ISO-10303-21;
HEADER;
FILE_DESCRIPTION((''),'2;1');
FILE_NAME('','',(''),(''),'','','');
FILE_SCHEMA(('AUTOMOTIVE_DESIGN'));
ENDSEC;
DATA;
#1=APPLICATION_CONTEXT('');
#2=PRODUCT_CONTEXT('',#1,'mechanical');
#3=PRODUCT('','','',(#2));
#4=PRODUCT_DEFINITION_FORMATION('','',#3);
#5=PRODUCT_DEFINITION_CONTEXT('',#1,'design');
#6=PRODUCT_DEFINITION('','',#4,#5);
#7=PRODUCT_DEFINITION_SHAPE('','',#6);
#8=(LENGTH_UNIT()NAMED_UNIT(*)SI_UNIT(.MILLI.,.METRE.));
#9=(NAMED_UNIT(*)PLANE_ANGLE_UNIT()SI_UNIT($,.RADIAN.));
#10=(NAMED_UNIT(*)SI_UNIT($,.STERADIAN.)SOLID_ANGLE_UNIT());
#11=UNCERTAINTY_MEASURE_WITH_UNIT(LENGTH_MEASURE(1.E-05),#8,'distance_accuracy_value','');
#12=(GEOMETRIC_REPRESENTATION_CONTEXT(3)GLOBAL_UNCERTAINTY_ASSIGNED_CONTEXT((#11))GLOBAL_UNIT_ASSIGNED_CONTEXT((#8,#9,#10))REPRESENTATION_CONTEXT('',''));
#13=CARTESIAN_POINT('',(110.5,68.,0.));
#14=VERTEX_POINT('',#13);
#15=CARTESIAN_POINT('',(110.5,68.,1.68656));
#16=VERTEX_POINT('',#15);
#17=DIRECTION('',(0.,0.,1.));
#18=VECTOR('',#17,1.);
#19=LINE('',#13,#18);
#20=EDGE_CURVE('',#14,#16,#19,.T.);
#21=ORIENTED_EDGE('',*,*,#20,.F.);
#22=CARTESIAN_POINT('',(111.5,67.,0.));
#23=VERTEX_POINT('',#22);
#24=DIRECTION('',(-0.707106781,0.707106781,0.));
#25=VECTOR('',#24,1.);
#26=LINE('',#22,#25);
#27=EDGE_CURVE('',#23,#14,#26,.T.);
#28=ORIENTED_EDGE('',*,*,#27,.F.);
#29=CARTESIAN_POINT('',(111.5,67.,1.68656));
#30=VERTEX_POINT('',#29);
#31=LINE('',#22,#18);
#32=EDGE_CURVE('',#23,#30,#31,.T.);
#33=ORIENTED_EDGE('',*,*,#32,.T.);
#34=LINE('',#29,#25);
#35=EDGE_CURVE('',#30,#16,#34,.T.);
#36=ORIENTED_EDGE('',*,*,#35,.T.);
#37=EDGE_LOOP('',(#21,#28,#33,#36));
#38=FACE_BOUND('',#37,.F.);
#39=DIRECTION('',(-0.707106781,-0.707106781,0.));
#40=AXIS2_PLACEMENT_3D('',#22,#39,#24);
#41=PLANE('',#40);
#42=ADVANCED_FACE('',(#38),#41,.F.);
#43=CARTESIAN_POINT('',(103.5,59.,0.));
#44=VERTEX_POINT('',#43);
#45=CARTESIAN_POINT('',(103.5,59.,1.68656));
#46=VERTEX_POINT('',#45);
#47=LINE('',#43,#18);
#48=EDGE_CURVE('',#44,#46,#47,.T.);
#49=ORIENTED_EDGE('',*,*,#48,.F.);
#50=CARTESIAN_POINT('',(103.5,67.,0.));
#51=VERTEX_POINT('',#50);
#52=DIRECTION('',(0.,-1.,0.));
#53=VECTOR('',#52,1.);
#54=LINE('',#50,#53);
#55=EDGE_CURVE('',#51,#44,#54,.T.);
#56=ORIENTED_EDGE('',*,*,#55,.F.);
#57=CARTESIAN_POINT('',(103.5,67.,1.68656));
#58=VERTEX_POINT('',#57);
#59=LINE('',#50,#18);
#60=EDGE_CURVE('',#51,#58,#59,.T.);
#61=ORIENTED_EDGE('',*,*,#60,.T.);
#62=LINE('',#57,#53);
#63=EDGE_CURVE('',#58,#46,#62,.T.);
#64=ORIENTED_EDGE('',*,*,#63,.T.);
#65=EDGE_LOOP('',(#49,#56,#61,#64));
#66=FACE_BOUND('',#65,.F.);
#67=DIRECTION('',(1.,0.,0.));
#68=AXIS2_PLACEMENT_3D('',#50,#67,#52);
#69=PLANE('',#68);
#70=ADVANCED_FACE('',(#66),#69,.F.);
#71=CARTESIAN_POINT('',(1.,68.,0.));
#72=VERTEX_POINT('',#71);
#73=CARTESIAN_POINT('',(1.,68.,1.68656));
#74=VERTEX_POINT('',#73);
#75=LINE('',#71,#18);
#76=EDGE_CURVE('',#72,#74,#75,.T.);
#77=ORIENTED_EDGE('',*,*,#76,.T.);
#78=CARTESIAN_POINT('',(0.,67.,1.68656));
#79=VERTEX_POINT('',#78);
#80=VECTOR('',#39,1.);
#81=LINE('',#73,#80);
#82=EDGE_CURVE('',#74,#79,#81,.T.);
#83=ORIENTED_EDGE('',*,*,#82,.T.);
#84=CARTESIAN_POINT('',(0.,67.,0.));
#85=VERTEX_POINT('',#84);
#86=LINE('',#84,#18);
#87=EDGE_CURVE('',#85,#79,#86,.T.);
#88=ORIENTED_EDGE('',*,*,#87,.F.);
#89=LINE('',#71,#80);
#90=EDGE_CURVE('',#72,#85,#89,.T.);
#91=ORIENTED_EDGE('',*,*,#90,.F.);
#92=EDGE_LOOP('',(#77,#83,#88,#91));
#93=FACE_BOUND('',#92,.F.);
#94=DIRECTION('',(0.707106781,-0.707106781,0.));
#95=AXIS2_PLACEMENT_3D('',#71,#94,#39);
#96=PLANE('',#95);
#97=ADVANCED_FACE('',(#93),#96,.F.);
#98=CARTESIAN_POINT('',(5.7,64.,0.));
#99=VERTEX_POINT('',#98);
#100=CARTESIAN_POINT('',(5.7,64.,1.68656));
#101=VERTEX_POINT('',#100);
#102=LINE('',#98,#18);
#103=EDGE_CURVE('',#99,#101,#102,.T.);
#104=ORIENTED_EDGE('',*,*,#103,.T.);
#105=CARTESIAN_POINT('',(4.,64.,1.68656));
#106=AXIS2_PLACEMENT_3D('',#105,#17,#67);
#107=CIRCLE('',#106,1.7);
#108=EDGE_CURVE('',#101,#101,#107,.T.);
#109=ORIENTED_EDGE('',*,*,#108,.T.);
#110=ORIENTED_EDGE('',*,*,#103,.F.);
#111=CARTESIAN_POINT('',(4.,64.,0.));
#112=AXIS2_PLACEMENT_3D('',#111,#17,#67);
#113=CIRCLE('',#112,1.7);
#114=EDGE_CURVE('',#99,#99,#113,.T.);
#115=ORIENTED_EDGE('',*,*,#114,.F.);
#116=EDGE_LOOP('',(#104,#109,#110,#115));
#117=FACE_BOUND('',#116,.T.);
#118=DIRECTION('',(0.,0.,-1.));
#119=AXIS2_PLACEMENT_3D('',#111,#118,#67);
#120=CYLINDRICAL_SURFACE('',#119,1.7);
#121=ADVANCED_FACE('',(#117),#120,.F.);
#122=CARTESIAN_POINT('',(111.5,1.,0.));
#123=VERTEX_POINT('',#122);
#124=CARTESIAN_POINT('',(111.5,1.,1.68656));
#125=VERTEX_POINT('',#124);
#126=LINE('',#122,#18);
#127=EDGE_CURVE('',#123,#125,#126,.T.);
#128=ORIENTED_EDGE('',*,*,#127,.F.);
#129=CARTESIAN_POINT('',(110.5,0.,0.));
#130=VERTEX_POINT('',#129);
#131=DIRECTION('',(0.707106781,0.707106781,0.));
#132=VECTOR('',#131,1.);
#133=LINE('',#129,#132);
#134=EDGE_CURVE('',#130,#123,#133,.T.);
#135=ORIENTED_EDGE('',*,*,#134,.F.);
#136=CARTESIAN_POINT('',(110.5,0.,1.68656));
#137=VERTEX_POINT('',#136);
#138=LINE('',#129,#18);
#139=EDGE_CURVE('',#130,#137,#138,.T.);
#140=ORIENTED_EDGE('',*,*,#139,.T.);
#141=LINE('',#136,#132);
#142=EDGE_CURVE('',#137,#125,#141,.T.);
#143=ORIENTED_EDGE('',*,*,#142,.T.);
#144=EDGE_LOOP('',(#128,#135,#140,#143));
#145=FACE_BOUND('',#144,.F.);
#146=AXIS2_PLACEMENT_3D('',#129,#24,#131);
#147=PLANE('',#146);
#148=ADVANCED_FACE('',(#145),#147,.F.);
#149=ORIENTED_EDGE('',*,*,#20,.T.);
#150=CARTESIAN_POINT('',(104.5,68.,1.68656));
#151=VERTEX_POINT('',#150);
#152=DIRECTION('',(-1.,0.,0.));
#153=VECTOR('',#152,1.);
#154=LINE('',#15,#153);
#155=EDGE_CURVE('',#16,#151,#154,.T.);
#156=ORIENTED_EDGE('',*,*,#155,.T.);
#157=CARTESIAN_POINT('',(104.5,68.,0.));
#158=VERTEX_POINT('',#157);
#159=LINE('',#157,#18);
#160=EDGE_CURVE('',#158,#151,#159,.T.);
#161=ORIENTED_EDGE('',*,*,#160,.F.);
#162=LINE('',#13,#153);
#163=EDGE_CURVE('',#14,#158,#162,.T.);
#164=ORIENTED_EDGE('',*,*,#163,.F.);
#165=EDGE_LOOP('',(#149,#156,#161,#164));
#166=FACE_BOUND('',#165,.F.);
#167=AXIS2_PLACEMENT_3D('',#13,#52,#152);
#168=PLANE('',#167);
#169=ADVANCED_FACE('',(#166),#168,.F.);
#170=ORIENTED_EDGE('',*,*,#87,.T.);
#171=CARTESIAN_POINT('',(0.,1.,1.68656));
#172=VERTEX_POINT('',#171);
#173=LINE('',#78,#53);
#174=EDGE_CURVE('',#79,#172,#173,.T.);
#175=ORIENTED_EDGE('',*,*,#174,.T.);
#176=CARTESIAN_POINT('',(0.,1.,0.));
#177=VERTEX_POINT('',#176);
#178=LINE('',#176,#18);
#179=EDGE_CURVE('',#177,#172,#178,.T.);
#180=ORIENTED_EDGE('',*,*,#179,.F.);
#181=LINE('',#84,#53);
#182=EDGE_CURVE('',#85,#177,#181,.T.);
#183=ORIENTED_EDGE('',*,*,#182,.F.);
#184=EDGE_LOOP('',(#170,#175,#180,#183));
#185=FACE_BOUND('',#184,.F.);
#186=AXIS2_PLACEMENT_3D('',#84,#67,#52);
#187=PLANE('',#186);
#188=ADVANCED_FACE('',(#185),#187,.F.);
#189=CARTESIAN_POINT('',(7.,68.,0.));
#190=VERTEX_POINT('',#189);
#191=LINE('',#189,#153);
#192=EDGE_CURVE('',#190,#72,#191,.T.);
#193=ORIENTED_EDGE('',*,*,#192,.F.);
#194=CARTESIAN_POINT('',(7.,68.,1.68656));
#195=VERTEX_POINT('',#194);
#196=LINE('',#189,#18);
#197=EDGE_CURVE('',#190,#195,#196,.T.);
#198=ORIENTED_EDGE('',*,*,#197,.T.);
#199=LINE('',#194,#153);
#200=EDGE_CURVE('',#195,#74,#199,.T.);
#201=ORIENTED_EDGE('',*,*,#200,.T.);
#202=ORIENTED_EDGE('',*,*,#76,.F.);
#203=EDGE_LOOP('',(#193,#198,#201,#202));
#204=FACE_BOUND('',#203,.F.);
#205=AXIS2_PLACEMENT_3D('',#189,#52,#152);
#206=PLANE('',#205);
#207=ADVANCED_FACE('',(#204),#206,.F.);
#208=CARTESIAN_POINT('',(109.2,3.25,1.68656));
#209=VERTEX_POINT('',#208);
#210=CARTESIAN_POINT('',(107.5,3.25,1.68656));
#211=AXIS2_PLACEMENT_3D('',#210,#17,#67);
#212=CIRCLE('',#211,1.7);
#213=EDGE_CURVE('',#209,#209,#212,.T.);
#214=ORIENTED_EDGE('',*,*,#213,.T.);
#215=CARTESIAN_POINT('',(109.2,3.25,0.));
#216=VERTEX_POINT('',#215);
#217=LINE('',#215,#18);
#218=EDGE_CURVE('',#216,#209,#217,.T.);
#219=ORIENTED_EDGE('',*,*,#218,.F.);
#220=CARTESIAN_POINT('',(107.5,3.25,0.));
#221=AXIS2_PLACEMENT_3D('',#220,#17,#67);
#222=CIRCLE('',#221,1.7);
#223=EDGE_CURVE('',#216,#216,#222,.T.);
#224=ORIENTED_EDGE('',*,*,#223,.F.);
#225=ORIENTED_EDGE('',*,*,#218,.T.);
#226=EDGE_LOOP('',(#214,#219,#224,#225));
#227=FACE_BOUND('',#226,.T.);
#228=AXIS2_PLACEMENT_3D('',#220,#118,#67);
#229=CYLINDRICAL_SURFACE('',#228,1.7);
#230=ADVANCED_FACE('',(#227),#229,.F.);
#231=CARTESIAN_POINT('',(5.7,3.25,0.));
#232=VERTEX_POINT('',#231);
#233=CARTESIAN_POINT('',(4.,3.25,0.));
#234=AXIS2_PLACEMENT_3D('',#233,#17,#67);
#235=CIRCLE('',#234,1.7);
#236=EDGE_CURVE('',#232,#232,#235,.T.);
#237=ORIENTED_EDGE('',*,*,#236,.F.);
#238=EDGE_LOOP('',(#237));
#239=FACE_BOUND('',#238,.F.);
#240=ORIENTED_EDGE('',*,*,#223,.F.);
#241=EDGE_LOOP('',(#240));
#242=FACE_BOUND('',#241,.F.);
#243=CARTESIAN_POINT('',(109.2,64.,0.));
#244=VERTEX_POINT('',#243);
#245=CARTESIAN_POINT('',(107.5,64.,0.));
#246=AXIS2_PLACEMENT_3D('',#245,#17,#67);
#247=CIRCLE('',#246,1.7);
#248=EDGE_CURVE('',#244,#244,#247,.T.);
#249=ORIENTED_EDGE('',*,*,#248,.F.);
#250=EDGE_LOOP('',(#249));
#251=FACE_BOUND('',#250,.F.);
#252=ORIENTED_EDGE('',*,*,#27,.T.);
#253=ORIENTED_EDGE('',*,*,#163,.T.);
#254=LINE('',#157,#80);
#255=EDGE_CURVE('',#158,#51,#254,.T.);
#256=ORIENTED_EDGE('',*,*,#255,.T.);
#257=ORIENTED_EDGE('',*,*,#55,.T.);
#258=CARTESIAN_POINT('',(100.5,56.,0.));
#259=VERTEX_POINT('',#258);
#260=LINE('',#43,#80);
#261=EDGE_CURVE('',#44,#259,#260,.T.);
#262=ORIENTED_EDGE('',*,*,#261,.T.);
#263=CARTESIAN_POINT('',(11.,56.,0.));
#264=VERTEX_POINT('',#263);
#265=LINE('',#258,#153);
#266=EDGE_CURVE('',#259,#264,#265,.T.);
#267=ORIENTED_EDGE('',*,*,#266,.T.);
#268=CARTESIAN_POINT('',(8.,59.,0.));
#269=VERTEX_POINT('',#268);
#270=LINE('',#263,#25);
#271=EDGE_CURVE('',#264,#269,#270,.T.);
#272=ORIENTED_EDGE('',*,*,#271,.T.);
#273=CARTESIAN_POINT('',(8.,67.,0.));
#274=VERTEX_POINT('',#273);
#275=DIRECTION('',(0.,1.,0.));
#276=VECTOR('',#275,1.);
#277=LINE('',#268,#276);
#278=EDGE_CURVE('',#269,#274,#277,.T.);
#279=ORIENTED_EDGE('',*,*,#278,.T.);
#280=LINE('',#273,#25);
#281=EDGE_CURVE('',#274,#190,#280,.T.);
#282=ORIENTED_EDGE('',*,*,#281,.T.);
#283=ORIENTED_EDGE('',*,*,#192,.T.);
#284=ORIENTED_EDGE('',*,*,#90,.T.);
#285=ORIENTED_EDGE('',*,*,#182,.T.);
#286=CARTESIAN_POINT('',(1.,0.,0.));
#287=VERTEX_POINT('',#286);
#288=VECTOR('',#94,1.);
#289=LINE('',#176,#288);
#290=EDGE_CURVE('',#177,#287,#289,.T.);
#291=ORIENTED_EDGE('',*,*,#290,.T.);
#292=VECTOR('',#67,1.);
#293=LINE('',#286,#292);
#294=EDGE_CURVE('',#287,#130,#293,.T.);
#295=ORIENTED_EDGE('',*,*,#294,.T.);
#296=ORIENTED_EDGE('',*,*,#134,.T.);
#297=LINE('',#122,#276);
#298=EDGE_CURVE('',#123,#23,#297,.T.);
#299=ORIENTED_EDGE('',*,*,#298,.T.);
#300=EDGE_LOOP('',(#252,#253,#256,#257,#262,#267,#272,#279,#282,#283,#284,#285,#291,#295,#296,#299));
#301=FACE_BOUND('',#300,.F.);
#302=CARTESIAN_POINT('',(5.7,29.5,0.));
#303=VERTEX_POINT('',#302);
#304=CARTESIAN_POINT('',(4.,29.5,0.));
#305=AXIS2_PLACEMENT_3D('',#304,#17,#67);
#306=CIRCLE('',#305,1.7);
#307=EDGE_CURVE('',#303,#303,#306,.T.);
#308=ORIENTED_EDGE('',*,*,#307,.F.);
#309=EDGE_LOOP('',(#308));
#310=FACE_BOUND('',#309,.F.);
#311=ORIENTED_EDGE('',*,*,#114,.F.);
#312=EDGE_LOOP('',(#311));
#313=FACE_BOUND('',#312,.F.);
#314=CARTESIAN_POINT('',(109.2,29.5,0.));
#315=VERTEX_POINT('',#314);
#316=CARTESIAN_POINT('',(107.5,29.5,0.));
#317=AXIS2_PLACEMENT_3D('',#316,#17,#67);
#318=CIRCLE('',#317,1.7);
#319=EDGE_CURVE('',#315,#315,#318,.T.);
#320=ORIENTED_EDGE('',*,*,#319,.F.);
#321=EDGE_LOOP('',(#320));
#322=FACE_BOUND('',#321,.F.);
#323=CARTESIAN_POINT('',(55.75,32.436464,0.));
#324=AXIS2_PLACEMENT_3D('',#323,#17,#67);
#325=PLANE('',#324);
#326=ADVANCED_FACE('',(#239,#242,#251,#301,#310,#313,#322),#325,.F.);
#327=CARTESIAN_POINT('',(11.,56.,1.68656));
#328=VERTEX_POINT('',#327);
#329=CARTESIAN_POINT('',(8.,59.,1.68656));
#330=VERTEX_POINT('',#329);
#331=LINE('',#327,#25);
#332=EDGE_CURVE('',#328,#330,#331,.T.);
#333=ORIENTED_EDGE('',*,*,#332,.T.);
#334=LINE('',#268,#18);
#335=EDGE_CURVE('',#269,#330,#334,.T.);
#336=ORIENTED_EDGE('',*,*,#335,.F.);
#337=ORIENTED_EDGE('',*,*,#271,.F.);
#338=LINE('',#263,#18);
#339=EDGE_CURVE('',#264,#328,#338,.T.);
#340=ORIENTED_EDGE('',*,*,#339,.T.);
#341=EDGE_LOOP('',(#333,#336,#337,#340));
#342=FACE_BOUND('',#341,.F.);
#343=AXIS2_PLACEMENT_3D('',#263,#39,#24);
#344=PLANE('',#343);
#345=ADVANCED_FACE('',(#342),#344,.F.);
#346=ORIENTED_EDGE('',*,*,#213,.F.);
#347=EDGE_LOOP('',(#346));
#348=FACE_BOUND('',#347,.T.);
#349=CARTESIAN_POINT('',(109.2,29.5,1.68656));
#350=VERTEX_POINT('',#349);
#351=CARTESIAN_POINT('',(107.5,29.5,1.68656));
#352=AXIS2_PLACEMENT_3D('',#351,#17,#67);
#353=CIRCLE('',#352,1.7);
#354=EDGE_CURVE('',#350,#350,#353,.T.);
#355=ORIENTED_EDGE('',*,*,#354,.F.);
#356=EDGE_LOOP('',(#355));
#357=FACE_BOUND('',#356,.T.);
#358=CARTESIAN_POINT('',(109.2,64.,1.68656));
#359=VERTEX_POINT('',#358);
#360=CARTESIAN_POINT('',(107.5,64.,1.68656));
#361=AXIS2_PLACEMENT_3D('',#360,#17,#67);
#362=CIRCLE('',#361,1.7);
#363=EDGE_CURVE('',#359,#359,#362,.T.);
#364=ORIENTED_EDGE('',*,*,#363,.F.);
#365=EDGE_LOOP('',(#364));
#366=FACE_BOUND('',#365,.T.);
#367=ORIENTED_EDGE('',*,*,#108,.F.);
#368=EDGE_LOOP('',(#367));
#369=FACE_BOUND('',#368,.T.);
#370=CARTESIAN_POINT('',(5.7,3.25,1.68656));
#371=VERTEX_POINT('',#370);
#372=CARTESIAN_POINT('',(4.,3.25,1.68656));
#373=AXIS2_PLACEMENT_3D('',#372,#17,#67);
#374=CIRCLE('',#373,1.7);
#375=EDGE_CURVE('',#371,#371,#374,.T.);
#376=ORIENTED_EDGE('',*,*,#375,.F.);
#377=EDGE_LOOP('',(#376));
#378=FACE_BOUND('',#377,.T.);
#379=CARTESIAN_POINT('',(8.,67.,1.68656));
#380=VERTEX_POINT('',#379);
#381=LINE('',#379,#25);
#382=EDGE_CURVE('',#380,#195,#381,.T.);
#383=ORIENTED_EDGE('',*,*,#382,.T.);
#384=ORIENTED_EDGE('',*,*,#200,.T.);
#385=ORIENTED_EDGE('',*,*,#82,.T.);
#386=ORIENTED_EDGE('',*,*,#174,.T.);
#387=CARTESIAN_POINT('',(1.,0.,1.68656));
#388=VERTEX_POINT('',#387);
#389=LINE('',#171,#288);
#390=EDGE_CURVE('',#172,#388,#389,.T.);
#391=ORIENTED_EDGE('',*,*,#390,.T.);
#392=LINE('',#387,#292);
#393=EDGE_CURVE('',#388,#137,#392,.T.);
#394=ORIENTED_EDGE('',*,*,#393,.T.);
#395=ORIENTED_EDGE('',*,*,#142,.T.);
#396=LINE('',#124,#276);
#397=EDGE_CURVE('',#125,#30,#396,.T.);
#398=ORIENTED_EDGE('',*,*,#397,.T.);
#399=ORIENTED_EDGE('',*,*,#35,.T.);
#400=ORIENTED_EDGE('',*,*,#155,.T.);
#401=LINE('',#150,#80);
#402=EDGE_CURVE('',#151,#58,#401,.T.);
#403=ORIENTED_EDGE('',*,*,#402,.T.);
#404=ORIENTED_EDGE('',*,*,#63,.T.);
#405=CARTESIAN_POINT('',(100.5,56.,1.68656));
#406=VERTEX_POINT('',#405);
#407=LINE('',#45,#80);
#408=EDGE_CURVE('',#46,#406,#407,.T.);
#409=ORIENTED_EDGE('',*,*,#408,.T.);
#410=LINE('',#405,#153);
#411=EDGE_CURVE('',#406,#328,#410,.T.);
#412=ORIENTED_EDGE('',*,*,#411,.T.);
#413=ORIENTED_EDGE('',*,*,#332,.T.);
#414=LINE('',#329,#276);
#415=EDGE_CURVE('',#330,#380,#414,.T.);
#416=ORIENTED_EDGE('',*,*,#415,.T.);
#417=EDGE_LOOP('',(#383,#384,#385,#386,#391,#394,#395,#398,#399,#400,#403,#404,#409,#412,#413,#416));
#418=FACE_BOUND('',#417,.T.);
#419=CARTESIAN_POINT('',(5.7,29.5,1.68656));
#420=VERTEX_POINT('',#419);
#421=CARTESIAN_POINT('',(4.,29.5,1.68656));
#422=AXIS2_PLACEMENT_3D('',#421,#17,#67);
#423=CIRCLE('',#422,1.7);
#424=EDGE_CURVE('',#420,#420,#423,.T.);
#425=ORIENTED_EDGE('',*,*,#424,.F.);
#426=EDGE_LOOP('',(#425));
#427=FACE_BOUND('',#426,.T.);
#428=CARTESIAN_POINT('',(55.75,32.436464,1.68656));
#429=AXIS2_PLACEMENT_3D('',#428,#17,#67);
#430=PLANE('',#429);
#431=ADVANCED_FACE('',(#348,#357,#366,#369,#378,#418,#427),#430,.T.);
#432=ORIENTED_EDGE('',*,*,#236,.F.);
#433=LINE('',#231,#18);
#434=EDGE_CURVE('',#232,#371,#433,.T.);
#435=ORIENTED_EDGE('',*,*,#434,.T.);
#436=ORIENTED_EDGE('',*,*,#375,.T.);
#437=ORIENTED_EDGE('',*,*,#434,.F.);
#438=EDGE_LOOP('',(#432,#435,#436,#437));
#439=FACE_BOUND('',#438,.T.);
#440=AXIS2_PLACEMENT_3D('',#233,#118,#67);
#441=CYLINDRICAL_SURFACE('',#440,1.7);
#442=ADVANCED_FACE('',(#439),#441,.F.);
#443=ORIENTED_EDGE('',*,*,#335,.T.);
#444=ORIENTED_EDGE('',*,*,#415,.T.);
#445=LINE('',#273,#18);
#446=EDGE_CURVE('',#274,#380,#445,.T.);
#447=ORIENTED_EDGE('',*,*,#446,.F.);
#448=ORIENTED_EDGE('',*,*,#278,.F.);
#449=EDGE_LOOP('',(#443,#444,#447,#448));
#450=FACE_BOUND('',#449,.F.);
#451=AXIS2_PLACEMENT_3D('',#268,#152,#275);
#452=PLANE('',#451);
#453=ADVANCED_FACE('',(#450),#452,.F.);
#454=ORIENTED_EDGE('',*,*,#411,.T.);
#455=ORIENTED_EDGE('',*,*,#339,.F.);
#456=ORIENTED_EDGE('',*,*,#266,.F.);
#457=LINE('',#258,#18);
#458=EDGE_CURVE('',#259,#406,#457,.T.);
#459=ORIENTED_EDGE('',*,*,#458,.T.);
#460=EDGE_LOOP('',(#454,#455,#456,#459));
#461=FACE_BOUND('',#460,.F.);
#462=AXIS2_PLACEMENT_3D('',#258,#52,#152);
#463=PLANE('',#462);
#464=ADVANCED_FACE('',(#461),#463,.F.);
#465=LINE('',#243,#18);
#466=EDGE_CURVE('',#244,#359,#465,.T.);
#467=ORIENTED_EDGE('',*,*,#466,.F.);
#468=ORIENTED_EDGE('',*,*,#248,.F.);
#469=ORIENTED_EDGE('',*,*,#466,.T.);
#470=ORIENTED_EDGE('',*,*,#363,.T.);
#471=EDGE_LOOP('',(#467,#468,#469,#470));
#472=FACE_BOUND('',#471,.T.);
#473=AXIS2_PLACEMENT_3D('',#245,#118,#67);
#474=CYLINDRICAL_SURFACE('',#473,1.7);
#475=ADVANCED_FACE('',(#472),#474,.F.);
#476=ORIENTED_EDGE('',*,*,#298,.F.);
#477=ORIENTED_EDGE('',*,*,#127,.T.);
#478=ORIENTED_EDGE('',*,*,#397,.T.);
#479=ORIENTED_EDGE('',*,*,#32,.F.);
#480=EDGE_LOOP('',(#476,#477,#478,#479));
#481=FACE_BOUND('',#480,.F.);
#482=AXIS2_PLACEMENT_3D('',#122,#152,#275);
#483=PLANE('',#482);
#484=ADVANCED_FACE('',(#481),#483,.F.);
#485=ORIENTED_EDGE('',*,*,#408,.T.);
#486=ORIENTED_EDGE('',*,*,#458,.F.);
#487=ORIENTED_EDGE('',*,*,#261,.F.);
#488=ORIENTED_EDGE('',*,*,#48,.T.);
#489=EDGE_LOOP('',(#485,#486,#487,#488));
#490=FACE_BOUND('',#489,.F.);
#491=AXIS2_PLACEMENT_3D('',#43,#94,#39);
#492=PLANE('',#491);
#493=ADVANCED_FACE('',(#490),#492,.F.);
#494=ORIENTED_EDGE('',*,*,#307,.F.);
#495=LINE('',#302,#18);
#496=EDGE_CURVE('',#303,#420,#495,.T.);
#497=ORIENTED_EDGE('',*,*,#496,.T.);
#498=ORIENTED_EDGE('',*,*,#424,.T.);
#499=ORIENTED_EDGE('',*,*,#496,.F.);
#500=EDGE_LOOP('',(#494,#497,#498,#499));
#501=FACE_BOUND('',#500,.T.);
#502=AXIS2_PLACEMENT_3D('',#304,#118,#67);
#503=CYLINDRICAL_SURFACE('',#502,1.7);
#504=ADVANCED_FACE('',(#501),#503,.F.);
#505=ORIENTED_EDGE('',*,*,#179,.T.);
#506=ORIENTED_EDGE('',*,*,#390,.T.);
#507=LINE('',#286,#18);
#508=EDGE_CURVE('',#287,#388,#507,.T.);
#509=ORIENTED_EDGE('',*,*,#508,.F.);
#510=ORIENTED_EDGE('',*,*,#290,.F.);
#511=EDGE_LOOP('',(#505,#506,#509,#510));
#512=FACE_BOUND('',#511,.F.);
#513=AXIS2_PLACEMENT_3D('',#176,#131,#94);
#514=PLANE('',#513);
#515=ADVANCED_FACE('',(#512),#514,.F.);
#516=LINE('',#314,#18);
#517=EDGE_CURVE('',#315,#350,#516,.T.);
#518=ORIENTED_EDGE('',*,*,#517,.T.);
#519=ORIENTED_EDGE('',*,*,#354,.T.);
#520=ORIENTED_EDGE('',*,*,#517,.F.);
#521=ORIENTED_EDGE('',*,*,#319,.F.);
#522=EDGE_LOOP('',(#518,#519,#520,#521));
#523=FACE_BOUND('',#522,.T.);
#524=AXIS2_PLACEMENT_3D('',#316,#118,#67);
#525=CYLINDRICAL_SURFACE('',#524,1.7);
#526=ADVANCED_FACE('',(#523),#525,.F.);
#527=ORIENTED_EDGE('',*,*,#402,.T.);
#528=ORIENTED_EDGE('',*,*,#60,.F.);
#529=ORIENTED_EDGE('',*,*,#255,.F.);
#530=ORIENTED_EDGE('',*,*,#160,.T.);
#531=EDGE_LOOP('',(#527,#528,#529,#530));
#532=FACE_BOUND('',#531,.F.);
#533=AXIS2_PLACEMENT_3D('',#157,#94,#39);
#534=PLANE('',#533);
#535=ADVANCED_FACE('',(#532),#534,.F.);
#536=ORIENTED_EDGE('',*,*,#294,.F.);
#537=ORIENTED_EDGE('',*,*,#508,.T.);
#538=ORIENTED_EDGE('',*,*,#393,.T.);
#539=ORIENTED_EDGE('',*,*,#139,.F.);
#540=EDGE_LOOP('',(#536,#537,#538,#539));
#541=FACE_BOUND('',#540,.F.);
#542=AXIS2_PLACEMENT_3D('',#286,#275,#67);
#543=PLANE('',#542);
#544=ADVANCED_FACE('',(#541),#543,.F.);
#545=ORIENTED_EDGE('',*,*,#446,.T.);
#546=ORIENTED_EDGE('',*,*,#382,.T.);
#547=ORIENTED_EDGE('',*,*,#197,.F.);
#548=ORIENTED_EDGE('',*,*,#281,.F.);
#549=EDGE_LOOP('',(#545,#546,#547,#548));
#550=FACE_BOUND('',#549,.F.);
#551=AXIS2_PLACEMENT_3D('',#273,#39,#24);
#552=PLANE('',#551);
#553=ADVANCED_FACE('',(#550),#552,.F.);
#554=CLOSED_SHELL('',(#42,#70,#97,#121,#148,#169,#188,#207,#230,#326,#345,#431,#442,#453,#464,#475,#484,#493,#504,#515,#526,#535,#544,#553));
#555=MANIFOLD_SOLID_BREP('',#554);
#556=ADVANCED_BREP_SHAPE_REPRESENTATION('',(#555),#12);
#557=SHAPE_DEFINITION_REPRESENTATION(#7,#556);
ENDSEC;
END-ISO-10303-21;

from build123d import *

# Parameters (mm, degrees)
SKETCH1_R           = 1.7
BOSS_EXTRUDE1_DEPTH = 1.68656


with BuildPart() as part:
    # Sketch1 → Boss-Extrude1 (new body)
    with BuildSketch(Plane.XY):
        Polygon((0, 1), (1, 0), (110.5, 0), (111.5, 1), (111.5, 67), (110.5, 68), (104.5, 68), (103.5, 67), (103.5, 59), (100.5, 56), (11, 56), (8, 59), (8, 67), (7, 68), (1, 68), (0, 67), align=None)
        with Locations((107.5, 29.5)):
            Circle(SKETCH1_R, mode=Mode.SUBTRACT)
        with Locations((107.5, 64)):
            Circle(SKETCH1_R, mode=Mode.SUBTRACT)
        with Locations((107.5, 3.25)):
            Circle(SKETCH1_R, mode=Mode.SUBTRACT)
        with Locations((4, 64)):
            Circle(SKETCH1_R, mode=Mode.SUBTRACT)
        with Locations((4, 29.5)):
            Circle(SKETCH1_R, mode=Mode.SUBTRACT)
        with Locations((4, 3.25)):
            Circle(SKETCH1_R, mode=Mode.SUBTRACT)
    extrude(amount=BOSS_EXTRUDE1_DEPTH)


solid = part.part
